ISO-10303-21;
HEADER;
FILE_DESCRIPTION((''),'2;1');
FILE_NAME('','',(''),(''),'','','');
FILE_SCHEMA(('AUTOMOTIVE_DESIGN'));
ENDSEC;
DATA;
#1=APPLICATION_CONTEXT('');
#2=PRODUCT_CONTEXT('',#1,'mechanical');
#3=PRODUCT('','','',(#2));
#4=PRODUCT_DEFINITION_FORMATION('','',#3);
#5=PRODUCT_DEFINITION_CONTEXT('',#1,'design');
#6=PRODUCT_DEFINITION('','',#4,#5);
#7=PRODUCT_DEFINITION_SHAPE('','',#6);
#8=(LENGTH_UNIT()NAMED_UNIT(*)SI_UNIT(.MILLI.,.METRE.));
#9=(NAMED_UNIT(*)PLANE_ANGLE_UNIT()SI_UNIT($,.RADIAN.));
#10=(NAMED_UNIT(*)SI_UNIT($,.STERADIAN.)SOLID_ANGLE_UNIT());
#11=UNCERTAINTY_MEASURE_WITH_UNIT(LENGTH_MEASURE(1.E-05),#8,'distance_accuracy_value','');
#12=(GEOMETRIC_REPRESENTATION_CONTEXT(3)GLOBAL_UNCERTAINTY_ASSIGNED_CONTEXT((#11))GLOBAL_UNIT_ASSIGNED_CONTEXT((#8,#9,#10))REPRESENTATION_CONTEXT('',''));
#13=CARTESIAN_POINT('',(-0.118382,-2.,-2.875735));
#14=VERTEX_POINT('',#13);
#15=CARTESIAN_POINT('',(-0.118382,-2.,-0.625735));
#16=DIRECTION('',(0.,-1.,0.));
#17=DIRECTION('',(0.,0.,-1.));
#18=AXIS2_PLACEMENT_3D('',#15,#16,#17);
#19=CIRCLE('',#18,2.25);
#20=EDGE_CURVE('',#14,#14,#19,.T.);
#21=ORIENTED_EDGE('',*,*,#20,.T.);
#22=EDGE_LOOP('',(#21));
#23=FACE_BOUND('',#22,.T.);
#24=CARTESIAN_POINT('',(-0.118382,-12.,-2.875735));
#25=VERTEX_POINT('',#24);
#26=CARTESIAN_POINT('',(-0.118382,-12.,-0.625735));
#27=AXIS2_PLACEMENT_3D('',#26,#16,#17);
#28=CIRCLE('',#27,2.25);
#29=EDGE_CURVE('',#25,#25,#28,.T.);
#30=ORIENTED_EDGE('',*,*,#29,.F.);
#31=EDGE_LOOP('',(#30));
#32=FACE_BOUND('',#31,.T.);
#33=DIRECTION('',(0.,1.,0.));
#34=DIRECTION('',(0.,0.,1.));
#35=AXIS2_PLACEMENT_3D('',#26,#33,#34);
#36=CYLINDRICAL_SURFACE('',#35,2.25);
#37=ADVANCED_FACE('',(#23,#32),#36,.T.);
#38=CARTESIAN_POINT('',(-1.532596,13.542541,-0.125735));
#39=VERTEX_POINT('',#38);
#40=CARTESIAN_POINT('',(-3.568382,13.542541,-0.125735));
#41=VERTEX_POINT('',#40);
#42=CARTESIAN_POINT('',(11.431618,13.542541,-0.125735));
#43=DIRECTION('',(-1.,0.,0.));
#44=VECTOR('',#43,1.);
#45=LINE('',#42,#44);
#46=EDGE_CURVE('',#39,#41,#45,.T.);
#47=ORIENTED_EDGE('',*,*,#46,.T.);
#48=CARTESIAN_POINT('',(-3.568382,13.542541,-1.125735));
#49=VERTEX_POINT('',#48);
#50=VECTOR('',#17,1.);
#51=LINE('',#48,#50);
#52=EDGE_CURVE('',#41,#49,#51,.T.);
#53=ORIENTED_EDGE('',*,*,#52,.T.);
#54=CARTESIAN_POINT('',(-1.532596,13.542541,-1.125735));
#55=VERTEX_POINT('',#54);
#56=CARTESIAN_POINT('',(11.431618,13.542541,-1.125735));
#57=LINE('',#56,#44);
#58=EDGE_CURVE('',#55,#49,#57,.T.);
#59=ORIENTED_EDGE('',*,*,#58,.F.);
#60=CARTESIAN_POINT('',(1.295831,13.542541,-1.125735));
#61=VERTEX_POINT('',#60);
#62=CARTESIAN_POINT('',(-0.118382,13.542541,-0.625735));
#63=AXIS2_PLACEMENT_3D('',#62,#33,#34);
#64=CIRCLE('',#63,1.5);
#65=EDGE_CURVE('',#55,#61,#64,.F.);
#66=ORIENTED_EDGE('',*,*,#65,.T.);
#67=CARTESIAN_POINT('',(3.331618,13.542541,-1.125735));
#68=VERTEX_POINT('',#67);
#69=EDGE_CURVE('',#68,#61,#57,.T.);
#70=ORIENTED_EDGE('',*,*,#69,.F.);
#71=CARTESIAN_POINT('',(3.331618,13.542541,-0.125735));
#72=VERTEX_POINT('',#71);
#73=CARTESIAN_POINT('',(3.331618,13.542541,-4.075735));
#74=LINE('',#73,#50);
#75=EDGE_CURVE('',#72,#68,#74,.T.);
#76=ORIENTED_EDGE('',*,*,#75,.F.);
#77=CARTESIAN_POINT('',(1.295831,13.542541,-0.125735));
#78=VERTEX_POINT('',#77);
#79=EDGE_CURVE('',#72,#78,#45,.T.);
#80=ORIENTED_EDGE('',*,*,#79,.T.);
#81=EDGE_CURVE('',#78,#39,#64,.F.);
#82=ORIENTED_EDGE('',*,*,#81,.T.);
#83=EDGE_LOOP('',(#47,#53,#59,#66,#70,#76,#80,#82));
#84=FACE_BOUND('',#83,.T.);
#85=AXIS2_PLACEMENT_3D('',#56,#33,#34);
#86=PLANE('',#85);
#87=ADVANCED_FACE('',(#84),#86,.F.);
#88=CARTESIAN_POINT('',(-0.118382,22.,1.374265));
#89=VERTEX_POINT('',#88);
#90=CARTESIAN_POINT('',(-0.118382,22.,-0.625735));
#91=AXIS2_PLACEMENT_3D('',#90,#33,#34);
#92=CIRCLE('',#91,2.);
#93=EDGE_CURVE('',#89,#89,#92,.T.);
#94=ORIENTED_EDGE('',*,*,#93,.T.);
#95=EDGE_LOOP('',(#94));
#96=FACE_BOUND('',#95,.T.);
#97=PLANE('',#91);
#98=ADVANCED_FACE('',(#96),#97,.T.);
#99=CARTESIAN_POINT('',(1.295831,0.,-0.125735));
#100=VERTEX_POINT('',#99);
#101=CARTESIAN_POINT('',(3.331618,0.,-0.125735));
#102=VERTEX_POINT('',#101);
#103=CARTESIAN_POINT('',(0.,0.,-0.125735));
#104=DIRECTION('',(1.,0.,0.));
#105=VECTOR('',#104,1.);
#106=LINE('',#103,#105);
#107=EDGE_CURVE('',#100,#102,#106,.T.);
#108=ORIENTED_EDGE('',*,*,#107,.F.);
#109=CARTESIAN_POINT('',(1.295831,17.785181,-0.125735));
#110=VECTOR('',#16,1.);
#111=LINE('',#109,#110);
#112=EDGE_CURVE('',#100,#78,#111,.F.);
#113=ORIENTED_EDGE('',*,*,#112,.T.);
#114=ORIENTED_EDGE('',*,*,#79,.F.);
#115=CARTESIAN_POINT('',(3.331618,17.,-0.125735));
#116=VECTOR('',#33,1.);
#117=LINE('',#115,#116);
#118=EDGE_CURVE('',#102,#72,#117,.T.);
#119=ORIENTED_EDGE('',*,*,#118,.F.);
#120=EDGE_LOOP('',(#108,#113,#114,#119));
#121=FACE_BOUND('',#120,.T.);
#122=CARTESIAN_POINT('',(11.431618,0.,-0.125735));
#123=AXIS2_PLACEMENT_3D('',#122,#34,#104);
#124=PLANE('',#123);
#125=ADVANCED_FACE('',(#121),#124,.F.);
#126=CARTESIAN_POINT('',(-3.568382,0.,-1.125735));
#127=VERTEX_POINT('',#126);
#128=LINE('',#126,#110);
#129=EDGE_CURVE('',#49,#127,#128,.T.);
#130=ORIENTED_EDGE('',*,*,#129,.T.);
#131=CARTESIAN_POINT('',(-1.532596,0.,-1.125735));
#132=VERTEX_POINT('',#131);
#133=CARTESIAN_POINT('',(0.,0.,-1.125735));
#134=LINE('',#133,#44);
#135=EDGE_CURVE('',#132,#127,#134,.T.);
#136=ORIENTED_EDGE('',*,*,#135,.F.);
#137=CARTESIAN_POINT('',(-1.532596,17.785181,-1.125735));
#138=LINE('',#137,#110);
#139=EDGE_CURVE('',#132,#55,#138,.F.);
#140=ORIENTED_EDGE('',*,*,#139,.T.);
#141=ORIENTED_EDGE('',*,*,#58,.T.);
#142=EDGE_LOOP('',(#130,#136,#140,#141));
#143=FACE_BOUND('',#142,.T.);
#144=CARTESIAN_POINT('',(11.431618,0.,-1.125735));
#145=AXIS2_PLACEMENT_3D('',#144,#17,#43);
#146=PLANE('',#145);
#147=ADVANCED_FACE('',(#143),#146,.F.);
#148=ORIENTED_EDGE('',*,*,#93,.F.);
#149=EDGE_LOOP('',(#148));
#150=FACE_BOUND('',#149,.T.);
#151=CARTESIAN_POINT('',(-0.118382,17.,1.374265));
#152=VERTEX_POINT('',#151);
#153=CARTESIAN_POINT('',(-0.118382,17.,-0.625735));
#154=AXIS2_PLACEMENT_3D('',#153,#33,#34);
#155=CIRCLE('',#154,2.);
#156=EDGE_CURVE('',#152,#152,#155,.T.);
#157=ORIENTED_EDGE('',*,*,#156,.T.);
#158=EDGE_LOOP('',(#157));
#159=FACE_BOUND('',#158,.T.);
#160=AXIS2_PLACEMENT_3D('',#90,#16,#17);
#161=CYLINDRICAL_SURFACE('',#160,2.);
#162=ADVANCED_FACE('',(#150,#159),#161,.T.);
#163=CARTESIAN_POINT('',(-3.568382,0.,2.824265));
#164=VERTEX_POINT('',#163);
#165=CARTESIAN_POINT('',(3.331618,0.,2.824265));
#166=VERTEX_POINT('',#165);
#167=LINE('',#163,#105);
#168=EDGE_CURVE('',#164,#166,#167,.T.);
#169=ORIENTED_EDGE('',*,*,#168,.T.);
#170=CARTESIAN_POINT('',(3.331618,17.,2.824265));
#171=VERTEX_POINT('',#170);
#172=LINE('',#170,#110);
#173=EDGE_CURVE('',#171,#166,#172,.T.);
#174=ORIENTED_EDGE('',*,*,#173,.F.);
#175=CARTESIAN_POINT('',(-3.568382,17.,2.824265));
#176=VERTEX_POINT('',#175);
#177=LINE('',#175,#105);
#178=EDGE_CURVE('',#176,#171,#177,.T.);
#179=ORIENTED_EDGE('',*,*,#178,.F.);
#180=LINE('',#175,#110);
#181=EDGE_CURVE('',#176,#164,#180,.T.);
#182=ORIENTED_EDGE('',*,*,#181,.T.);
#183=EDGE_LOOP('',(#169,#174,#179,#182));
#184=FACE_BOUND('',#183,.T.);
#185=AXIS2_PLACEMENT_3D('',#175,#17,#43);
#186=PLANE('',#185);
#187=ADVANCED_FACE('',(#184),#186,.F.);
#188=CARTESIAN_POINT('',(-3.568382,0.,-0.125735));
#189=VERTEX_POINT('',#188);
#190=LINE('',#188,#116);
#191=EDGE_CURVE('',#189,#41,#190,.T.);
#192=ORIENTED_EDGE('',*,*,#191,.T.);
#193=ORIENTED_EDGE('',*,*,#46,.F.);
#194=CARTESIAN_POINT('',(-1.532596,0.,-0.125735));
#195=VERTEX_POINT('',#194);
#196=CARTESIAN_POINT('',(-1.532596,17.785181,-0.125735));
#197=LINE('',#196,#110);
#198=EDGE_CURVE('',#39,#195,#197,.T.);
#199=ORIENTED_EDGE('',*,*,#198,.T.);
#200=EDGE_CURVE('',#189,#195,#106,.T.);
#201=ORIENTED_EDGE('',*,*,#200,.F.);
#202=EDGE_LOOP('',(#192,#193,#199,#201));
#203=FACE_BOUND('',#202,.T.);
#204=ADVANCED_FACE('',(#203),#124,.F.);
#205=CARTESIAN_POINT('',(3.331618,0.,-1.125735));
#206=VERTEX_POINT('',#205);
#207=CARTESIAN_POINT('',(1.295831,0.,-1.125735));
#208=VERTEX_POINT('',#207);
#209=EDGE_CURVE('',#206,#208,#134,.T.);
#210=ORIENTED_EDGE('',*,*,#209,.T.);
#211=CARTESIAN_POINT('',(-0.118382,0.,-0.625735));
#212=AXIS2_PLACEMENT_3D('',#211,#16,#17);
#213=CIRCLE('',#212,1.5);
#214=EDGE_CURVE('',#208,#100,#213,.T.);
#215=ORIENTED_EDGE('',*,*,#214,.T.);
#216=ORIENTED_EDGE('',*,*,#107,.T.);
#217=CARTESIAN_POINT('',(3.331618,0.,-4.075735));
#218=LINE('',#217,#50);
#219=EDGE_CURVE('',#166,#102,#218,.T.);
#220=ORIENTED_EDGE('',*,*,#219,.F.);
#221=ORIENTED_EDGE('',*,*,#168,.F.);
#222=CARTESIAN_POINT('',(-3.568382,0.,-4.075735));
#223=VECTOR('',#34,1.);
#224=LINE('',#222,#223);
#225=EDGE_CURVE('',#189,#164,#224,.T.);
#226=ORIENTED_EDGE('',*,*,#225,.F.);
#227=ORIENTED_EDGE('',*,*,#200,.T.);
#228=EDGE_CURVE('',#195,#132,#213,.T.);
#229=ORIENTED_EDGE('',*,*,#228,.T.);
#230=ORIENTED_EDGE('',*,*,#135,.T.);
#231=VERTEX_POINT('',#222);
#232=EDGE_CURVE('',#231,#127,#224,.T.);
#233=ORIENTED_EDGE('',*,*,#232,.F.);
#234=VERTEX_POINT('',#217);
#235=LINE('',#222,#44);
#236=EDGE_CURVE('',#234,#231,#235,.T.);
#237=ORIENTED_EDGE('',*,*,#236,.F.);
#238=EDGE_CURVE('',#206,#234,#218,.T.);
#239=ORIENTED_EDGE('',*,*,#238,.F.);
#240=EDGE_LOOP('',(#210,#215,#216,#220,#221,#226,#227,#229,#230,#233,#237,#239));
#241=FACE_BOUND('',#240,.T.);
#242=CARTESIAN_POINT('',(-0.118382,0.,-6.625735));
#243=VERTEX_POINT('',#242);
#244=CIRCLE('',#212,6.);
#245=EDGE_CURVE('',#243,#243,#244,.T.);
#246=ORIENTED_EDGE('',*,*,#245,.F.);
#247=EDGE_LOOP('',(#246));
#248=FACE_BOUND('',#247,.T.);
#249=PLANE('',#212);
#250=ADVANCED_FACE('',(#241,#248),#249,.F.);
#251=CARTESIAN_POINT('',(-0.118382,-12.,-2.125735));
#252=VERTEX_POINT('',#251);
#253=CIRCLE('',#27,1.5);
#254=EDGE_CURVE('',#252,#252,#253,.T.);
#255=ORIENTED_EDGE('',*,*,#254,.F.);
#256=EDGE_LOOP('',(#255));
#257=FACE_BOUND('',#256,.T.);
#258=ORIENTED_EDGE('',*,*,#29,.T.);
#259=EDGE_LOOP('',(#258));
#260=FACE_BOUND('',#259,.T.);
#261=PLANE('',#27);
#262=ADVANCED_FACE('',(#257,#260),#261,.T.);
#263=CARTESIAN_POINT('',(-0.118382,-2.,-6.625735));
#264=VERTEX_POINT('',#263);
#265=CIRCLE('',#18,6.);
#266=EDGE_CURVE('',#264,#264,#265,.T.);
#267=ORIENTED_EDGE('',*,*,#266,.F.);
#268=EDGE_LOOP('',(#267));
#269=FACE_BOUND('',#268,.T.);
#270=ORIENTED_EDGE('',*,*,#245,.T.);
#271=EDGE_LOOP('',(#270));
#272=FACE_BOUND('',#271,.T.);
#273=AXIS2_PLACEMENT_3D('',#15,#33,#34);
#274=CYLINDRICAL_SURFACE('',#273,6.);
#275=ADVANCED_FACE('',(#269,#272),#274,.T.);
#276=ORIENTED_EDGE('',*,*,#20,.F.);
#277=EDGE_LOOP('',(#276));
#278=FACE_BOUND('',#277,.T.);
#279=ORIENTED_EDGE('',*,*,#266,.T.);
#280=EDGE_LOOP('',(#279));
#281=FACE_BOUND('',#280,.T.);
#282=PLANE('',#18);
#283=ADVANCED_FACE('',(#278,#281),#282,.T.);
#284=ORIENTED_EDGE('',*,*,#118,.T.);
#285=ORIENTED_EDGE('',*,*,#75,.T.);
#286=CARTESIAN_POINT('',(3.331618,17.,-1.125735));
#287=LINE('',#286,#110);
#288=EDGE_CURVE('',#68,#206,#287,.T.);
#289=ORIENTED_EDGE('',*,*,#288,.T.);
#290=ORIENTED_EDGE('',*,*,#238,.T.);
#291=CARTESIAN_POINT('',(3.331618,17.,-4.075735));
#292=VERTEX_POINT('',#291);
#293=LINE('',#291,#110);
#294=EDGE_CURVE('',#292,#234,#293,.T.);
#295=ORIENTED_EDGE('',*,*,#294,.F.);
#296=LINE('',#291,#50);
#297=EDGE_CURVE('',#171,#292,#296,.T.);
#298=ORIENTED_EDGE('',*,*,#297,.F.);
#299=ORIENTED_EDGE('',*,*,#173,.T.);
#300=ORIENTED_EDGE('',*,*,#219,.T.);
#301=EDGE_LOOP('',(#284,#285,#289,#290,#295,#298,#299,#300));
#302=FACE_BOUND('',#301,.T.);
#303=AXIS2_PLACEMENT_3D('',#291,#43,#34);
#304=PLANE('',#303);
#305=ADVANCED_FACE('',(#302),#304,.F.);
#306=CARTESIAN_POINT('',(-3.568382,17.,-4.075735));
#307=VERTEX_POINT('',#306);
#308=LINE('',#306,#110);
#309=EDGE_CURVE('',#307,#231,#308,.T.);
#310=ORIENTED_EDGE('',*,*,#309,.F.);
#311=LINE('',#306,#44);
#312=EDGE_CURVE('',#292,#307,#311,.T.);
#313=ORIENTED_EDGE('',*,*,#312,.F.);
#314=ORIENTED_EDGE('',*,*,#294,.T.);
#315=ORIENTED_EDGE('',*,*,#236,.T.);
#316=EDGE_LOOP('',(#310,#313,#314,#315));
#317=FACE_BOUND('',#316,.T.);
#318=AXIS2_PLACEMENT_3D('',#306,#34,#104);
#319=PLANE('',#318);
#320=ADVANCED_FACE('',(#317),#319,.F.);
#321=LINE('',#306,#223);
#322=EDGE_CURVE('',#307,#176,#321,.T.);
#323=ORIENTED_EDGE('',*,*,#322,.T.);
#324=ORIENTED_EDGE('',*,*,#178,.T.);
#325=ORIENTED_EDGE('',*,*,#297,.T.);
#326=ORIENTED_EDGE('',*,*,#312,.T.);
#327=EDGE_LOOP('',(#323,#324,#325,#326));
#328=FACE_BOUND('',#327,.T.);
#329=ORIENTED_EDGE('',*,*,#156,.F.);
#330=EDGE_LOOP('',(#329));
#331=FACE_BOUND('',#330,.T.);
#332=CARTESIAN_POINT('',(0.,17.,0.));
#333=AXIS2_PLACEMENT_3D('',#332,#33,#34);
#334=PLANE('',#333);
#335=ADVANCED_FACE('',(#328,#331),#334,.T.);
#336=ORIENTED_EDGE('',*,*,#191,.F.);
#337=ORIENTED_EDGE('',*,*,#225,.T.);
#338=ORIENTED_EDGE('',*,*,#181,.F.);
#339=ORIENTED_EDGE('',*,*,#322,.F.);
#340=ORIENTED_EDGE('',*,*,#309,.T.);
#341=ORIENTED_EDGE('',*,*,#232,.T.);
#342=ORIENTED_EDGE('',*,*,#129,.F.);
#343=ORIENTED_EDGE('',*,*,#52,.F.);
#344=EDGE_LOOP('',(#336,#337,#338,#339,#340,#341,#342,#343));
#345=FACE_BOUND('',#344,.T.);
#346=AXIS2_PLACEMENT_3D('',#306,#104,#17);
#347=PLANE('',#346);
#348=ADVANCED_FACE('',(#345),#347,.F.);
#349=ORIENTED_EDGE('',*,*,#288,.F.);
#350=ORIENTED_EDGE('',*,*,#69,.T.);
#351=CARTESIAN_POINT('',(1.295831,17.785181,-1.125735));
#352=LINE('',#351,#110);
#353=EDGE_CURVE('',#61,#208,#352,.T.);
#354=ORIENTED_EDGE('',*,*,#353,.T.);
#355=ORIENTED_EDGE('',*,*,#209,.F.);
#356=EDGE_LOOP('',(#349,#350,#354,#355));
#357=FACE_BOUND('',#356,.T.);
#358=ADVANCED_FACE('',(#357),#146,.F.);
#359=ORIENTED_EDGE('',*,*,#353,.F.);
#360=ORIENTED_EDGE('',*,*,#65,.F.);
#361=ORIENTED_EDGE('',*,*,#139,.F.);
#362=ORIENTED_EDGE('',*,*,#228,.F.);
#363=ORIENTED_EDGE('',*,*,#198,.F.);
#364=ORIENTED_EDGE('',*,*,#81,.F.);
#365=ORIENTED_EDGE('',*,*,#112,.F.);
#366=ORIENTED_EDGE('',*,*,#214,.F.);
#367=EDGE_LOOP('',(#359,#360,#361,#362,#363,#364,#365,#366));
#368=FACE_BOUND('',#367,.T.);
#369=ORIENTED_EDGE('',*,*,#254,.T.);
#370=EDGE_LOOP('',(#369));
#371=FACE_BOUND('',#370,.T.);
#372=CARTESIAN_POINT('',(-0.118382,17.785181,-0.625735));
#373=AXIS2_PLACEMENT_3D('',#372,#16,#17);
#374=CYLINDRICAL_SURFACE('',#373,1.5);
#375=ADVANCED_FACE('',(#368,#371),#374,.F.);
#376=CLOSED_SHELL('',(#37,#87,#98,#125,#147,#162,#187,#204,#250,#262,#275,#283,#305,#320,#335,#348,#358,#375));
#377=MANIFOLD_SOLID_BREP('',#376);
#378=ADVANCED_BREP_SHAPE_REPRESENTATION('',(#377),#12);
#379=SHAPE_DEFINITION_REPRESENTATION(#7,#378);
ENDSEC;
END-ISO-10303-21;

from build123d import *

# Parameters (mm, degrees)
SKETCH_2_W          = 6.9
SKETCH_2_H          = 6.9
EXTRUDE_1_DEPTH     = 17
SKETCH_3_R          = 2
EXTRUDE_2_DEPTH     = 5
SKETCH_4_W          = 1
SKETCH_4_H          = 13.542540749
CUT_EXTRUDE_1_DEPTH = 15
SKETCH_5_R          = 6
EXTRUDE_3_DEPTH     = 2
SKETCH_6_R          = 2.25
EXTRUDE_4_DEPTH     = 10
SKETCH_7_R          = 1.5
CUT_EXTRUDE_2_DEPTH = 25.542541


with BuildPart() as part:
    # 草图2 → 凸台-拉伸1 (new body)
    with BuildSketch(Plane(origin=(0, 0, 0), x_dir=(1, 0, 0), z_dir=(0, 1, 0))):
        with Locations((-0.118382353, 0.625735294)):
            Rectangle(SKETCH_2_W, SKETCH_2_H)
    extrude(amount=EXTRUDE_1_DEPTH)

    # 草图3 → 凸台-拉伸2 (add)
    with BuildSketch(Plane(origin=(0, 17, 0), x_dir=(1, 0, 0), z_dir=(0, 1, 0))):
        with Locations((-0.118382353, 0.625735294)):
            Circle(SKETCH_3_R)
    extrude(amount=EXTRUDE_2_DEPTH)

    # 草图4 → 切除-拉伸1 (cut)
    with BuildSketch(Plane.ZY.offset(3.568382353)):
        with Locations((-0.625735294, 6.771270375)):
            Rectangle(SKETCH_4_W, SKETCH_4_H)
    extrude(amount=-CUT_EXTRUDE_1_DEPTH, mode=Mode.SUBTRACT)

    # 草图5 → 凸台-拉伸3 (add)
    with BuildSketch(Plane.XZ):
        with Locations((-0.118382353, -0.625735294)):
            Circle(SKETCH_5_R)
    extrude(amount=EXTRUDE_3_DEPTH)

    # 草图6 → 凸台-拉伸4 (add)
    with BuildSketch(Plane.XZ.offset(2)):
        with Locations((-0.118382353, -0.625735294)):
            Circle(SKETCH_6_R)
    extrude(amount=EXTRUDE_4_DEPTH)

    # 草图7 → 切除-拉伸2 (cut)
    with BuildSketch(Plane.XZ.offset(12)):
        with Locations((-0.118382353, -0.625735294)):
            Circle(SKETCH_7_R)
    extrude(amount=-CUT_EXTRUDE_2_DEPTH, mode=Mode.SUBTRACT)


solid = part.part
